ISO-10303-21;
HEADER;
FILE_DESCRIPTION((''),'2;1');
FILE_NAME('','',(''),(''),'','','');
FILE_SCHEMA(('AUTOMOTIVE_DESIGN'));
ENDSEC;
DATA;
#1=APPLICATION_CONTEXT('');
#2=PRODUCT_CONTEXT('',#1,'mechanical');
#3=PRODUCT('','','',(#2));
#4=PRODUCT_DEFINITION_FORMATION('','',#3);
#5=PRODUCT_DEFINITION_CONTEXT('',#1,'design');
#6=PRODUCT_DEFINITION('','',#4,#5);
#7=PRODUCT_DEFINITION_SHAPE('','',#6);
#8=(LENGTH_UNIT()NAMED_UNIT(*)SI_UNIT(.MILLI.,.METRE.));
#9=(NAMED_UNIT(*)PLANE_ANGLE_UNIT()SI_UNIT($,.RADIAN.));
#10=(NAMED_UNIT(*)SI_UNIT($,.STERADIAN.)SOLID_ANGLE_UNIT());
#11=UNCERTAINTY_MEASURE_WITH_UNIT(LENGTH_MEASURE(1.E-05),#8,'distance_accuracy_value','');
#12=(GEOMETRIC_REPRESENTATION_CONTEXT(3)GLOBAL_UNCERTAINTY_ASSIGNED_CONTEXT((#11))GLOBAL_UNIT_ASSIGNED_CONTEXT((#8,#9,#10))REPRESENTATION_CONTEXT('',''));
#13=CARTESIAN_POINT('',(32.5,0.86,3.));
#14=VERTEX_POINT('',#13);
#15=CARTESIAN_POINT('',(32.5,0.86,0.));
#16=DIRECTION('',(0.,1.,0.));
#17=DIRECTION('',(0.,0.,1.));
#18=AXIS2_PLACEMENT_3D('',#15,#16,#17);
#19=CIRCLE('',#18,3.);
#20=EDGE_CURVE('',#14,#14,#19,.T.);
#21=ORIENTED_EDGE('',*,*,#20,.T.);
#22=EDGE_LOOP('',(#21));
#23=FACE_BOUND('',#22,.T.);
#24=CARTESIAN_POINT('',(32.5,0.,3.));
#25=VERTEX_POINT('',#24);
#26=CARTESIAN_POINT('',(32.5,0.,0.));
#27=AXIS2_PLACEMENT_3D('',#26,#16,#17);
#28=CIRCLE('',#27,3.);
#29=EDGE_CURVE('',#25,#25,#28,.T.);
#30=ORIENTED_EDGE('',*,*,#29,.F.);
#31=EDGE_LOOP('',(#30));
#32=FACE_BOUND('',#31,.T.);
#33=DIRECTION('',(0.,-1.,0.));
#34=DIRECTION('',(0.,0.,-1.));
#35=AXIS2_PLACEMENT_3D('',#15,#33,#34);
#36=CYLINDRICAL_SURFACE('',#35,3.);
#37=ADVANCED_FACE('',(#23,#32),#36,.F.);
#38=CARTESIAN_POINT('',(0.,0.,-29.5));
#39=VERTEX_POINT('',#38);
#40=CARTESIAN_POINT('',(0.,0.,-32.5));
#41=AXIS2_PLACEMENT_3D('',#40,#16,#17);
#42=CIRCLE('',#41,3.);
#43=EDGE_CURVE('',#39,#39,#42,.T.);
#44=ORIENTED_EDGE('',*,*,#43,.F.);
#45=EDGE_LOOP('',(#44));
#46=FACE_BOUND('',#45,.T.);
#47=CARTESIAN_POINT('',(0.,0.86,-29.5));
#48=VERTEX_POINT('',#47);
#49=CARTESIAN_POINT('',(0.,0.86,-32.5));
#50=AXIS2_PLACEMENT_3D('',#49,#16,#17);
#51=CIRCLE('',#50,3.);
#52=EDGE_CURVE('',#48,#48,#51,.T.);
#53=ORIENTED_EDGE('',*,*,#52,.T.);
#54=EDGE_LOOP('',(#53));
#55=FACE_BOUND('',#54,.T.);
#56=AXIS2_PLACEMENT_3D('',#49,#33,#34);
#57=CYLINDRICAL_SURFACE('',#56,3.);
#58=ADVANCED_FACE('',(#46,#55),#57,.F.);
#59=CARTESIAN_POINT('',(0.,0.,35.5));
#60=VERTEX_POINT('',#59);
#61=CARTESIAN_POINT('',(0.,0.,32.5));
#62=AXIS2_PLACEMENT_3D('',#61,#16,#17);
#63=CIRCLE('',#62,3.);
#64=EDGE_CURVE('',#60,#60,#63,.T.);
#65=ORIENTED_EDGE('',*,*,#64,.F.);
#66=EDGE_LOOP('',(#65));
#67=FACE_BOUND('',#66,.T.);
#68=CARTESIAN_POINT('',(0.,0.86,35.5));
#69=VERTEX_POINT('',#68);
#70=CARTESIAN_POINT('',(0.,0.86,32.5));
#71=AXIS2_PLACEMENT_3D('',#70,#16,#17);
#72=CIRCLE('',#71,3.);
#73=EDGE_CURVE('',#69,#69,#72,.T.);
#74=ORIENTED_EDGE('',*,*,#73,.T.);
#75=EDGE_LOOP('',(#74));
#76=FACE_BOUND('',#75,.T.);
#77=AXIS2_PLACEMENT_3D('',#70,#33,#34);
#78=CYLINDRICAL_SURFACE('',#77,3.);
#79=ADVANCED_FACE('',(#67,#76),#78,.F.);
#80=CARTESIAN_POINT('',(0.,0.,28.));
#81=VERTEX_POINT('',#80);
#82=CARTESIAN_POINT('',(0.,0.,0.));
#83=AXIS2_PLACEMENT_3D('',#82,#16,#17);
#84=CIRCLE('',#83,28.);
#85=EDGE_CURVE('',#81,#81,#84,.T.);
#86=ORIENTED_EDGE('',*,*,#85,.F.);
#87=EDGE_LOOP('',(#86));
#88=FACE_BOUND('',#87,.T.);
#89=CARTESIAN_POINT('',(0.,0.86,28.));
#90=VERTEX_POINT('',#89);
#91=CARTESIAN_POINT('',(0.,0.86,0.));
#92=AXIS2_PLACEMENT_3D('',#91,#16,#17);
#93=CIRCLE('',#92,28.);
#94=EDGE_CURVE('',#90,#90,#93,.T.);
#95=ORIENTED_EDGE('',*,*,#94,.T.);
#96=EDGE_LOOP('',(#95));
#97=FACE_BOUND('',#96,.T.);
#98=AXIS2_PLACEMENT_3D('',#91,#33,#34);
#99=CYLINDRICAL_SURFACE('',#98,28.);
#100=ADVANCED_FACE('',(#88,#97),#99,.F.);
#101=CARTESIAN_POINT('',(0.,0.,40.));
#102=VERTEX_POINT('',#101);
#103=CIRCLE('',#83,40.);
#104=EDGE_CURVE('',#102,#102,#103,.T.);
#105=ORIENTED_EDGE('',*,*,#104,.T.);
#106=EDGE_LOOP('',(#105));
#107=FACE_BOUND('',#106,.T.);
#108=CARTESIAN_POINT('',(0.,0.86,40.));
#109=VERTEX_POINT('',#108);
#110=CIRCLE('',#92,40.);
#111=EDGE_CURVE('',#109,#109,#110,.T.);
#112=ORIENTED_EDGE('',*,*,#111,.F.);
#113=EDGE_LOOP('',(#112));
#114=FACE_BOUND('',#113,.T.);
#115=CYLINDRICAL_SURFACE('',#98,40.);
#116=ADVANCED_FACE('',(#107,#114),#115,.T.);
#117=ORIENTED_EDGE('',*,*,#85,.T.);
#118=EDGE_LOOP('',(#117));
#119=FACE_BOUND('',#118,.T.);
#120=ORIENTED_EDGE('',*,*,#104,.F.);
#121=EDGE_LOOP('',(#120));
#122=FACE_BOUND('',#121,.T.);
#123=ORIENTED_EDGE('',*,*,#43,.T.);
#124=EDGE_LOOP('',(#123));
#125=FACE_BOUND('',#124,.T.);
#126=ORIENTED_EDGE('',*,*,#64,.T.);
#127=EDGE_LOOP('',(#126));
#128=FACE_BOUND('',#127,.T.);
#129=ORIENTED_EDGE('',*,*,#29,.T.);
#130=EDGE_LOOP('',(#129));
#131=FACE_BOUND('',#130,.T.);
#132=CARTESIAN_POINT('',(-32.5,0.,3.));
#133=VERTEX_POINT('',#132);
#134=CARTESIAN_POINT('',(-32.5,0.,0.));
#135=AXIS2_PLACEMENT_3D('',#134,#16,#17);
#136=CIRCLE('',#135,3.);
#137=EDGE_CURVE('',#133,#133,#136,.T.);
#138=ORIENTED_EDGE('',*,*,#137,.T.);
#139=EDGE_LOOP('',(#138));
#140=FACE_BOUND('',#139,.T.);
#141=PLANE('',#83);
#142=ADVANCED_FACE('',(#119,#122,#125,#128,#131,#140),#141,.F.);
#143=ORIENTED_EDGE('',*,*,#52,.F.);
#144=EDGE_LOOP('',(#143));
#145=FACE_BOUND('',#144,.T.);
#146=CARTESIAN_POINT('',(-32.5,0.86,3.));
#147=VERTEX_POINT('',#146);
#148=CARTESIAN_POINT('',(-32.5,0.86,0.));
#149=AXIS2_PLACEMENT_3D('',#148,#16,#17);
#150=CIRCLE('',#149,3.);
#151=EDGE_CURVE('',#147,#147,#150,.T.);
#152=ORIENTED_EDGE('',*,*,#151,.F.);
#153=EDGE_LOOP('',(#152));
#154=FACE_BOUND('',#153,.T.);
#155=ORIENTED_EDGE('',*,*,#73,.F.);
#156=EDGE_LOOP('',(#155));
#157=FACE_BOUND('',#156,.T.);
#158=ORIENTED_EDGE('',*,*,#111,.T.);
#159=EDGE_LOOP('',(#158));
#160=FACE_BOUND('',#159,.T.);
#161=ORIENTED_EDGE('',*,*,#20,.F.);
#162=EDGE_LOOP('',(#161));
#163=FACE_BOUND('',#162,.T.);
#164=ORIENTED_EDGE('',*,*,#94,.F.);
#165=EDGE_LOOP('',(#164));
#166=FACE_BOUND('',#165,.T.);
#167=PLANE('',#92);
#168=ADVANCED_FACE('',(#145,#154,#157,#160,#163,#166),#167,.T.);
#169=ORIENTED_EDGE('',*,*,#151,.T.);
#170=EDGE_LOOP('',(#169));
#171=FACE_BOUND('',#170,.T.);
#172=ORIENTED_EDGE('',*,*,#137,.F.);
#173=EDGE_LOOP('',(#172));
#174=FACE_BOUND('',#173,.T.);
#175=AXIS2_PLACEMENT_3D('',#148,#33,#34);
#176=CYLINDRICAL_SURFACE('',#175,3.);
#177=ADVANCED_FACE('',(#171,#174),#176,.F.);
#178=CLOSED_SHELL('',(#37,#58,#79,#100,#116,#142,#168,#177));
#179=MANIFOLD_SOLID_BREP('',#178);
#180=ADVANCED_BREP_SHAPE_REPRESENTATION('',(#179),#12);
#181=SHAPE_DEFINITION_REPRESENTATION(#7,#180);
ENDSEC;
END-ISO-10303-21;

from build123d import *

# Parameters (mm, degrees)
SKETCH1_R           = 40
SKETCH1_R_2         = 28
SKETCH1_R_3         = 3
BOSS_EXTRUDE1_DEPTH = 0.86


with BuildPart() as part:
    # Sketch1 → Boss-Extrude1 (new body)
    with BuildSketch(Plane(origin=(0, 0, 0), x_dir=(1, 0, 0), z_dir=(0, 1, 0))):
        with Locations(Location((0, 0, 0), (0, 0, 270))):
            Circle(SKETCH1_R)
        with Locations(Location((0, 0, 0), (0, 0, 270))):
            Circle(SKETCH1_R_2, mode=Mode.SUBTRACT)
        with Locations(Location((0, 32.5, 0), (0, 0, 270))):
            Circle(SKETCH1_R_3, mode=Mode.SUBTRACT)
        with Locations(Location((-32.5, 0, 0), (0, 0, 270))):
            Circle(SKETCH1_R_3, mode=Mode.SUBTRACT)
        with Locations(Location((0, -32.5, 0), (0, 0, 270))):
            Circle(SKETCH1_R_3, mode=Mode.SUBTRACT)
        with Locations(Location((32.5, 0, 0), (0, 0, 270))):
            Circle(SKETCH1_R_3, mode=Mode.SUBTRACT)
    extrude(amount=BOSS_EXTRUDE1_DEPTH)


solid = part.part
